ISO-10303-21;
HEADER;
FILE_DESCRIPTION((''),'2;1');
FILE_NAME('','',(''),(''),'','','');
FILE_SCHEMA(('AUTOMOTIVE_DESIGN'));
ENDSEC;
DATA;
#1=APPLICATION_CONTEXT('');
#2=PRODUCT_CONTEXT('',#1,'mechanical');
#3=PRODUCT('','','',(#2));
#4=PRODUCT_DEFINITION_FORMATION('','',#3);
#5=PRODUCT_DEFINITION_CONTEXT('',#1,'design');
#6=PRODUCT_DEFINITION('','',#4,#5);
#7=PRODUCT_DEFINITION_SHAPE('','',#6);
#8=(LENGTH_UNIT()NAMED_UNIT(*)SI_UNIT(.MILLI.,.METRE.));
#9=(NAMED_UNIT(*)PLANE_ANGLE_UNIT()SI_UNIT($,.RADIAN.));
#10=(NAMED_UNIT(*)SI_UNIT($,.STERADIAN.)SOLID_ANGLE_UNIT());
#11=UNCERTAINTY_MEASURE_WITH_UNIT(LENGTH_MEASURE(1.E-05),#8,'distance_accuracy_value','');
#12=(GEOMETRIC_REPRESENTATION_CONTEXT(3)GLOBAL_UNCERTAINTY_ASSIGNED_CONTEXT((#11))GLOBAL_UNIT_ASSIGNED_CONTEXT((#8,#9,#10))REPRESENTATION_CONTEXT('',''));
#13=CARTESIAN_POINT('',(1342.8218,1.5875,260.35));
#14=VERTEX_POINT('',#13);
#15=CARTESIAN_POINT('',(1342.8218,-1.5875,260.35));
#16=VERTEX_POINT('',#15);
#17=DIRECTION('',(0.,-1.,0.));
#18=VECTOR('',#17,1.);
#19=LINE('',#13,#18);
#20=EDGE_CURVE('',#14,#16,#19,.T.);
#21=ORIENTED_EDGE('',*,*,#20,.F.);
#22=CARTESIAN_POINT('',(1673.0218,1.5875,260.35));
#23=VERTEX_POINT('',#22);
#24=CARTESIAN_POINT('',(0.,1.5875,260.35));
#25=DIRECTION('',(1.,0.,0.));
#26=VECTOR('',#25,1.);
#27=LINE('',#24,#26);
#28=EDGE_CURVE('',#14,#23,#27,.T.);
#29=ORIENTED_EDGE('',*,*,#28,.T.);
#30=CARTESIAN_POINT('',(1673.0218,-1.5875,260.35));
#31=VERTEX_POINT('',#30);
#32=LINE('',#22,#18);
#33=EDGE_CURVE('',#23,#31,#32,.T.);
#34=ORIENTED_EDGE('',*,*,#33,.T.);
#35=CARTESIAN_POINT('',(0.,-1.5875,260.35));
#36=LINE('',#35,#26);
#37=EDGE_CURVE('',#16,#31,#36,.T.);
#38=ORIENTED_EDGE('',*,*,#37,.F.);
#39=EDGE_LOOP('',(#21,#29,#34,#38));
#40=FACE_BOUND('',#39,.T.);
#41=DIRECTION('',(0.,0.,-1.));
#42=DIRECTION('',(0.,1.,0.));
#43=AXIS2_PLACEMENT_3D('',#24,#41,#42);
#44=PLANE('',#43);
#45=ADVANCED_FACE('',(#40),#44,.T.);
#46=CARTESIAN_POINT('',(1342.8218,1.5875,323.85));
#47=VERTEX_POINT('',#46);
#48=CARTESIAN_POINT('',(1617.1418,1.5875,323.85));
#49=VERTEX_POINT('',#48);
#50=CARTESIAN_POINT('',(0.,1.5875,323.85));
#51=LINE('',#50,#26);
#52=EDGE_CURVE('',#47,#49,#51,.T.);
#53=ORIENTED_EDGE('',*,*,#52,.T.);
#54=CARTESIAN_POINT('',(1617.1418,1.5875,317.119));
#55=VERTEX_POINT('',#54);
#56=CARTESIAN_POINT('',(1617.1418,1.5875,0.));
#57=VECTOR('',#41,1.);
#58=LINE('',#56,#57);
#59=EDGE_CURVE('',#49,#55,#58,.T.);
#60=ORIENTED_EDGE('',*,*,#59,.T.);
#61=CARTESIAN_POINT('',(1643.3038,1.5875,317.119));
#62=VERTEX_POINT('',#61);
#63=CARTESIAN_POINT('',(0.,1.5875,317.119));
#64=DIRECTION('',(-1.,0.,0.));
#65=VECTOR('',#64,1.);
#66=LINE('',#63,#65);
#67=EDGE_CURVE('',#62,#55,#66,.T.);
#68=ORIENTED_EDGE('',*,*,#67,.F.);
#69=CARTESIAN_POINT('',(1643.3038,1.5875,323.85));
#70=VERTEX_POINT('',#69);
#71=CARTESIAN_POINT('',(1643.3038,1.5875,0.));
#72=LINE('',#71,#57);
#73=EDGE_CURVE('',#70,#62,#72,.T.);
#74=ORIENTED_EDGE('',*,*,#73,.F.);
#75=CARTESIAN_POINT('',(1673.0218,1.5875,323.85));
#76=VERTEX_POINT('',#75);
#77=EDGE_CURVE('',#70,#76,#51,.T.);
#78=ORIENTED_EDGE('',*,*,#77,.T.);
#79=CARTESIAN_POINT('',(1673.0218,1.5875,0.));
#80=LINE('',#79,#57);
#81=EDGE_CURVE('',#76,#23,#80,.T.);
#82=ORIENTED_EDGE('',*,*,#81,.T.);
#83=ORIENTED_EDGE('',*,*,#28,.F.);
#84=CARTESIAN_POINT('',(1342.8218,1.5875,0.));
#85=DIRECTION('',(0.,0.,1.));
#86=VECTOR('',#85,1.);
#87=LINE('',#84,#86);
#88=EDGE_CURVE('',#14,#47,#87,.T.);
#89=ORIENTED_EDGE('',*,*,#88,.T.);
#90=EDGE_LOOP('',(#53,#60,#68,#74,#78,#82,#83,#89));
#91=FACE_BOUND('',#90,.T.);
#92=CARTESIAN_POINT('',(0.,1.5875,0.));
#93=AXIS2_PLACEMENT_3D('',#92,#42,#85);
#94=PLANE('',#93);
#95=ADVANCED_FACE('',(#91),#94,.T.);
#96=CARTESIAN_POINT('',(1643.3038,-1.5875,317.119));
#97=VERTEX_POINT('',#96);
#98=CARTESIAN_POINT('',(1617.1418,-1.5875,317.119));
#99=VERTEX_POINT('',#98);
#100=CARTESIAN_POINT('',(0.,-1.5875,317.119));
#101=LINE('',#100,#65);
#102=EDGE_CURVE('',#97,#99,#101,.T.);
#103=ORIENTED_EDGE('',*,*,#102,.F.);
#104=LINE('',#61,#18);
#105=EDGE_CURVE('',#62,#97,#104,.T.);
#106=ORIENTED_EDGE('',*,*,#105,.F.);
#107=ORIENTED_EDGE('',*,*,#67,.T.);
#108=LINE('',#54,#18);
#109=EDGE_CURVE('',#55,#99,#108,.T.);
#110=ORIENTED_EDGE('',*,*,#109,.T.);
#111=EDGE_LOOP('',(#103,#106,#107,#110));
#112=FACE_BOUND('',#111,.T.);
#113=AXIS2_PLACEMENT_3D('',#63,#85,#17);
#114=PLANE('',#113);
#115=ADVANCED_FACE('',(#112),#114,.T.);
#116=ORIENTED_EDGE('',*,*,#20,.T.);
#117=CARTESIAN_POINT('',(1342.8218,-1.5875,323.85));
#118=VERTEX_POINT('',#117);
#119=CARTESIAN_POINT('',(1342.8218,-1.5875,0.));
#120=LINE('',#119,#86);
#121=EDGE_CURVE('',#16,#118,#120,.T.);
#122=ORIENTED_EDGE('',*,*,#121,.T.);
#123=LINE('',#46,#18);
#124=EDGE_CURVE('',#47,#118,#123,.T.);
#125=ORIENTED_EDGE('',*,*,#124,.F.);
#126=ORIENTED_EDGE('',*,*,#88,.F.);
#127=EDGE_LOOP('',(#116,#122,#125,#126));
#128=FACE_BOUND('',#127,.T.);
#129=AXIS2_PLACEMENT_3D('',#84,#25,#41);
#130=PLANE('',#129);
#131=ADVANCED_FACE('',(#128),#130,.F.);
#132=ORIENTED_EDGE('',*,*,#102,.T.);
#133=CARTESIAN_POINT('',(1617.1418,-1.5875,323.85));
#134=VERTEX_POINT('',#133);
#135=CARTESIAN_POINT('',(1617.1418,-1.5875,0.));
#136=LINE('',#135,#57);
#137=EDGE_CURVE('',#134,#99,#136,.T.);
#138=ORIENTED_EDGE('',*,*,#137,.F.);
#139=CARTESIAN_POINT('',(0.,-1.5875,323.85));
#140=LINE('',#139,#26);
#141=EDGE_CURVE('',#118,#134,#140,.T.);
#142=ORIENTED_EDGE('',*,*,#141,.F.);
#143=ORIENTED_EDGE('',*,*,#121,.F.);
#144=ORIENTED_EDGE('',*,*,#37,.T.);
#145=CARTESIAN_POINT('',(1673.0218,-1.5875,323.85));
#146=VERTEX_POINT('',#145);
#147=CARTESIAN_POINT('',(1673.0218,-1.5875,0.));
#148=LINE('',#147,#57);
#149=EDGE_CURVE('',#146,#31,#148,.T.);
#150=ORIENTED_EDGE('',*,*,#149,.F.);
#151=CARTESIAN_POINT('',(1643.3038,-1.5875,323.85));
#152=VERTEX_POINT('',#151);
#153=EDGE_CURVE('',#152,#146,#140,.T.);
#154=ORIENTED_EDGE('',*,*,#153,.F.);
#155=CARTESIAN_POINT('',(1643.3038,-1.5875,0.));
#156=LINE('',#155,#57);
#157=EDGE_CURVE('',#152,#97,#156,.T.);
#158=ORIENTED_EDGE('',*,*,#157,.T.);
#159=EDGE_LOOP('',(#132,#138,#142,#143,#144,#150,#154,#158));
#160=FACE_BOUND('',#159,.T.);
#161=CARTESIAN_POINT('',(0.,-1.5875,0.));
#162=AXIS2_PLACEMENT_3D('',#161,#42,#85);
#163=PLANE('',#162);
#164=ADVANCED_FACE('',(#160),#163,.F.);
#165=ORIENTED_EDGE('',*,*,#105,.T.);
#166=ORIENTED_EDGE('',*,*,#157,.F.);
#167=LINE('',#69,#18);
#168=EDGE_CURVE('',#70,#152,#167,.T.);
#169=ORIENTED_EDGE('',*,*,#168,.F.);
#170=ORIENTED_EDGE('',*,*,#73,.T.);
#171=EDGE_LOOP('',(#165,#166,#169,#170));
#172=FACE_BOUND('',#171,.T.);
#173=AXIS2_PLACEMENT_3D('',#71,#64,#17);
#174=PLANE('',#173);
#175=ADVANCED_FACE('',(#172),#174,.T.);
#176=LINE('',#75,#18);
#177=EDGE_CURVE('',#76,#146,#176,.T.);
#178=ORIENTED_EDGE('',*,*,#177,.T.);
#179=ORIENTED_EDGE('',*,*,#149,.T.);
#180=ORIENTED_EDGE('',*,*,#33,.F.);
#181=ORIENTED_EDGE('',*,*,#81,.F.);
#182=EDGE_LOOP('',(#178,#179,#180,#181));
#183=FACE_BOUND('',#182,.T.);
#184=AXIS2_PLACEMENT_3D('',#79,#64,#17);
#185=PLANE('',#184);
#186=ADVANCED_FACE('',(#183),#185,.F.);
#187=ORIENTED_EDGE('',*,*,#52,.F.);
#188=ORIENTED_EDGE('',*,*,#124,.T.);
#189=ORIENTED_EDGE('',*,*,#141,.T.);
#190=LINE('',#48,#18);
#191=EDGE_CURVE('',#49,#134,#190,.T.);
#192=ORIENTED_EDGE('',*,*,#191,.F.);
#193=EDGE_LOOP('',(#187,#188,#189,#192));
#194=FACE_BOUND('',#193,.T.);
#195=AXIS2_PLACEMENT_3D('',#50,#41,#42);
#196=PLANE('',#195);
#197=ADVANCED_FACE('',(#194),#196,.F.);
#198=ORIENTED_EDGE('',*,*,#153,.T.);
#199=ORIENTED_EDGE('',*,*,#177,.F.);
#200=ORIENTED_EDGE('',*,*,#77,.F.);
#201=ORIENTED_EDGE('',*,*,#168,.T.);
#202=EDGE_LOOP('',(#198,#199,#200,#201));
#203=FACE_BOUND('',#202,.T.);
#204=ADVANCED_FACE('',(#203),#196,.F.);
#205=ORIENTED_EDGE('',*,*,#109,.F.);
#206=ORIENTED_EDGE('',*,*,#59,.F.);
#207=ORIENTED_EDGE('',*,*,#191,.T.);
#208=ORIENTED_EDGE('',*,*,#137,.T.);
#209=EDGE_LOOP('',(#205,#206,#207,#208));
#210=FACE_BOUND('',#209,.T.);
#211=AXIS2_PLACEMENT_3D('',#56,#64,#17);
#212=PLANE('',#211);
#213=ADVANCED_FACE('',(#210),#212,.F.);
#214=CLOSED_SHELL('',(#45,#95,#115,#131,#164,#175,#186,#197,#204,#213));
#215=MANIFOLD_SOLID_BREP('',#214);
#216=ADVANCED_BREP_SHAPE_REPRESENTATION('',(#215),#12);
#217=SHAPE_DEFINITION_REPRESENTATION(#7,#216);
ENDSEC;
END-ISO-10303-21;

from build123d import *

# Parameters (mm, degrees)
BOSS_EXTRUDE1_DEPTH = 1.5875


with BuildPart() as part:
    # Sketch3 → Boss-Extrude1 (new, symmetric)
    with BuildSketch(Plane(origin=(0, 0, 0), x_dir=(1, 0, 0), z_dir=(0, 1, 0))):
        Polygon((1643.3038, -317.119), (1643.3038, -323.85), (1673.0218, -323.85), (1673.0218, -260.35), (1342.8218, -260.35), (1342.8218, -323.85), (1617.1418, -323.85), (1617.1418, -317.119), align=None)
    extrude(amount=BOSS_EXTRUDE1_DEPTH, both=True)


solid = part.part
